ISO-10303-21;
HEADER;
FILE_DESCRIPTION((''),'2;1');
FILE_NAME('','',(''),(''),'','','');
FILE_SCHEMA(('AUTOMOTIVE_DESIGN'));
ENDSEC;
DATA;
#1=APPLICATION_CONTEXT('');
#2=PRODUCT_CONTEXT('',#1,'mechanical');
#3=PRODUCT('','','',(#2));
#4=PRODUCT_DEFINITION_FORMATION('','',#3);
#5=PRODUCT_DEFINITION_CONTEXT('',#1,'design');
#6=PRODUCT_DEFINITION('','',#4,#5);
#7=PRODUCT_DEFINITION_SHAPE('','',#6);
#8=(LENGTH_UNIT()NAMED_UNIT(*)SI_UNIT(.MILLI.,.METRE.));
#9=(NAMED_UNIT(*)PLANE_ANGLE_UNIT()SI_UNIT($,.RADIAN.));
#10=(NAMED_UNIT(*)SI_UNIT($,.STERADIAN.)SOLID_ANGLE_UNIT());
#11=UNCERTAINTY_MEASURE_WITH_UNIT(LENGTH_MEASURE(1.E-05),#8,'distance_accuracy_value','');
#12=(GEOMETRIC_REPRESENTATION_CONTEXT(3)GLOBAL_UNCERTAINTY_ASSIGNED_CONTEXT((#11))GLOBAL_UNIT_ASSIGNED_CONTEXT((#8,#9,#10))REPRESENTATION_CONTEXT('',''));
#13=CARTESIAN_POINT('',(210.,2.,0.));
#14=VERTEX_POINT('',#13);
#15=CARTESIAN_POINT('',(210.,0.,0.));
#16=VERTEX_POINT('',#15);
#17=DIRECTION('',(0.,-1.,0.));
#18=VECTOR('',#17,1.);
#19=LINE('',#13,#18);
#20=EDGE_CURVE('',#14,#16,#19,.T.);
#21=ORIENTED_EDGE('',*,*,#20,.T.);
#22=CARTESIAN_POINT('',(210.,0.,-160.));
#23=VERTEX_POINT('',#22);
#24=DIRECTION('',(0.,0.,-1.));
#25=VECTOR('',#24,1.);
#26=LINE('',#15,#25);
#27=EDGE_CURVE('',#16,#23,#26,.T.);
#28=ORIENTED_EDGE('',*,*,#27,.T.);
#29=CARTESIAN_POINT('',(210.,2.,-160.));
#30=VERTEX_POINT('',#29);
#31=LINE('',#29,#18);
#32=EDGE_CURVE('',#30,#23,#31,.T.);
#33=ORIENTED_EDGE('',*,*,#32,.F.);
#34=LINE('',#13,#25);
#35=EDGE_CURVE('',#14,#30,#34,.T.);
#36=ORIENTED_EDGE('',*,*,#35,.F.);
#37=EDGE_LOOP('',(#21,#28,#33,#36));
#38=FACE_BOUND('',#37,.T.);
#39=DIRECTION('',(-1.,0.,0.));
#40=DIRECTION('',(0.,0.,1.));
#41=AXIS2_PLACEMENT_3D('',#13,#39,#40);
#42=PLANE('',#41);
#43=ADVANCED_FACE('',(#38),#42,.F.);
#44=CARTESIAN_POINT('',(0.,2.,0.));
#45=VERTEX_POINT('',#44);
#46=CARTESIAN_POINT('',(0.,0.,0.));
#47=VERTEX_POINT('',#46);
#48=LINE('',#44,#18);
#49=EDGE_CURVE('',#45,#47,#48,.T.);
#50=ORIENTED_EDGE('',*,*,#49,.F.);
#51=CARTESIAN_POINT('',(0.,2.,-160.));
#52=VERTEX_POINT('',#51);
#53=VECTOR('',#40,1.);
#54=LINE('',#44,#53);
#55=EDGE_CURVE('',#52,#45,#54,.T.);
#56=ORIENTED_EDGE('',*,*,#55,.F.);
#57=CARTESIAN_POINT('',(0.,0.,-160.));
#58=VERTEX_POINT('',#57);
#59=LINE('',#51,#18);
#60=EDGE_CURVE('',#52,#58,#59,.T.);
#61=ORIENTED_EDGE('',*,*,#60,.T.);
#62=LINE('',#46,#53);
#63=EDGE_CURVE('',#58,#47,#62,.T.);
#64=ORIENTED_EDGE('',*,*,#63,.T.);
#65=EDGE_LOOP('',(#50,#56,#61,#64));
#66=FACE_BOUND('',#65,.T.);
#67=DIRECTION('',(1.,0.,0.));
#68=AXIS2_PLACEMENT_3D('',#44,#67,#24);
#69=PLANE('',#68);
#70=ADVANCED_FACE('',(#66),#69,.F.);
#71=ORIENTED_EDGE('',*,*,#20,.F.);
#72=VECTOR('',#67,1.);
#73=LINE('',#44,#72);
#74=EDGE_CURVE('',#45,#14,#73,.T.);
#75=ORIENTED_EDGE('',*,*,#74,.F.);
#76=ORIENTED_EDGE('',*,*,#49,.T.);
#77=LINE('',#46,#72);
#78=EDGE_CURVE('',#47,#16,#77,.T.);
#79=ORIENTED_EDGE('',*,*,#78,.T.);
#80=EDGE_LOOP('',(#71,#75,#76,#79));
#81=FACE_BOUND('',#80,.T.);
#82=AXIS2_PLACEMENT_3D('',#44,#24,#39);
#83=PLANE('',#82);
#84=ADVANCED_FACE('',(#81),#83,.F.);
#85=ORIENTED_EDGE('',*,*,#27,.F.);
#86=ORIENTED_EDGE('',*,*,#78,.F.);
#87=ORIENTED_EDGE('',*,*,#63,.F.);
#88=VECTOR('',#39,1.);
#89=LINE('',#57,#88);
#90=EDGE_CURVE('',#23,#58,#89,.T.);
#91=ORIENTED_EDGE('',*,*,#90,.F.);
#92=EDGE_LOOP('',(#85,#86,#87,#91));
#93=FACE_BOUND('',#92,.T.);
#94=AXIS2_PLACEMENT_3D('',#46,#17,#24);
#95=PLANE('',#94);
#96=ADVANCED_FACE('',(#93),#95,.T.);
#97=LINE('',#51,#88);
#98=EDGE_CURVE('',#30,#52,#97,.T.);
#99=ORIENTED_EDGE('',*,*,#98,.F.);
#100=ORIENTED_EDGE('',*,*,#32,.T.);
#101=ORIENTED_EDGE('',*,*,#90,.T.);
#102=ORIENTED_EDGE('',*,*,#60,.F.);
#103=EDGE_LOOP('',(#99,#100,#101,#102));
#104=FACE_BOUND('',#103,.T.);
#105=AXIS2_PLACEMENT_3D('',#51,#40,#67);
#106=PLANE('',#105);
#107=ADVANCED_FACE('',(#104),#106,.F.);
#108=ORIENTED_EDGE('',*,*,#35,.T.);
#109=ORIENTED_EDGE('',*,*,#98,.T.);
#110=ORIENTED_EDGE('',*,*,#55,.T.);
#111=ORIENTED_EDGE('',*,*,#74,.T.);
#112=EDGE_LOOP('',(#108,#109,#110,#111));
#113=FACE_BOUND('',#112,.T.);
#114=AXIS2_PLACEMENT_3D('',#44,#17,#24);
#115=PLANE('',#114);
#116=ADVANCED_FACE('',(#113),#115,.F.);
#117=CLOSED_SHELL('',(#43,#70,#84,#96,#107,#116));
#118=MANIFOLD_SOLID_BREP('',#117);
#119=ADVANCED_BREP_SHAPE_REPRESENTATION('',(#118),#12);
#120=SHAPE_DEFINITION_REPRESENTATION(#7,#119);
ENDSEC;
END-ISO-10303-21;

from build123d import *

# Parameters (mm, degrees)
CROQUIS1_W              = 210
CROQUIS1_H              = 160
SALIENTE_EXTRUIR1_DEPTH = 2


with BuildPart() as part:
    # Croquis1 → Saliente-Extruir1 (new body)
    with BuildSketch(Plane(origin=(0, 0, 0), x_dir=(1, 0, 0), z_dir=(0, 1, 0))):
        with Locations((105, 80)):
            Rectangle(CROQUIS1_W, CROQUIS1_H)
    extrude(amount=SALIENTE_EXTRUIR1_DEPTH)


solid = part.part
